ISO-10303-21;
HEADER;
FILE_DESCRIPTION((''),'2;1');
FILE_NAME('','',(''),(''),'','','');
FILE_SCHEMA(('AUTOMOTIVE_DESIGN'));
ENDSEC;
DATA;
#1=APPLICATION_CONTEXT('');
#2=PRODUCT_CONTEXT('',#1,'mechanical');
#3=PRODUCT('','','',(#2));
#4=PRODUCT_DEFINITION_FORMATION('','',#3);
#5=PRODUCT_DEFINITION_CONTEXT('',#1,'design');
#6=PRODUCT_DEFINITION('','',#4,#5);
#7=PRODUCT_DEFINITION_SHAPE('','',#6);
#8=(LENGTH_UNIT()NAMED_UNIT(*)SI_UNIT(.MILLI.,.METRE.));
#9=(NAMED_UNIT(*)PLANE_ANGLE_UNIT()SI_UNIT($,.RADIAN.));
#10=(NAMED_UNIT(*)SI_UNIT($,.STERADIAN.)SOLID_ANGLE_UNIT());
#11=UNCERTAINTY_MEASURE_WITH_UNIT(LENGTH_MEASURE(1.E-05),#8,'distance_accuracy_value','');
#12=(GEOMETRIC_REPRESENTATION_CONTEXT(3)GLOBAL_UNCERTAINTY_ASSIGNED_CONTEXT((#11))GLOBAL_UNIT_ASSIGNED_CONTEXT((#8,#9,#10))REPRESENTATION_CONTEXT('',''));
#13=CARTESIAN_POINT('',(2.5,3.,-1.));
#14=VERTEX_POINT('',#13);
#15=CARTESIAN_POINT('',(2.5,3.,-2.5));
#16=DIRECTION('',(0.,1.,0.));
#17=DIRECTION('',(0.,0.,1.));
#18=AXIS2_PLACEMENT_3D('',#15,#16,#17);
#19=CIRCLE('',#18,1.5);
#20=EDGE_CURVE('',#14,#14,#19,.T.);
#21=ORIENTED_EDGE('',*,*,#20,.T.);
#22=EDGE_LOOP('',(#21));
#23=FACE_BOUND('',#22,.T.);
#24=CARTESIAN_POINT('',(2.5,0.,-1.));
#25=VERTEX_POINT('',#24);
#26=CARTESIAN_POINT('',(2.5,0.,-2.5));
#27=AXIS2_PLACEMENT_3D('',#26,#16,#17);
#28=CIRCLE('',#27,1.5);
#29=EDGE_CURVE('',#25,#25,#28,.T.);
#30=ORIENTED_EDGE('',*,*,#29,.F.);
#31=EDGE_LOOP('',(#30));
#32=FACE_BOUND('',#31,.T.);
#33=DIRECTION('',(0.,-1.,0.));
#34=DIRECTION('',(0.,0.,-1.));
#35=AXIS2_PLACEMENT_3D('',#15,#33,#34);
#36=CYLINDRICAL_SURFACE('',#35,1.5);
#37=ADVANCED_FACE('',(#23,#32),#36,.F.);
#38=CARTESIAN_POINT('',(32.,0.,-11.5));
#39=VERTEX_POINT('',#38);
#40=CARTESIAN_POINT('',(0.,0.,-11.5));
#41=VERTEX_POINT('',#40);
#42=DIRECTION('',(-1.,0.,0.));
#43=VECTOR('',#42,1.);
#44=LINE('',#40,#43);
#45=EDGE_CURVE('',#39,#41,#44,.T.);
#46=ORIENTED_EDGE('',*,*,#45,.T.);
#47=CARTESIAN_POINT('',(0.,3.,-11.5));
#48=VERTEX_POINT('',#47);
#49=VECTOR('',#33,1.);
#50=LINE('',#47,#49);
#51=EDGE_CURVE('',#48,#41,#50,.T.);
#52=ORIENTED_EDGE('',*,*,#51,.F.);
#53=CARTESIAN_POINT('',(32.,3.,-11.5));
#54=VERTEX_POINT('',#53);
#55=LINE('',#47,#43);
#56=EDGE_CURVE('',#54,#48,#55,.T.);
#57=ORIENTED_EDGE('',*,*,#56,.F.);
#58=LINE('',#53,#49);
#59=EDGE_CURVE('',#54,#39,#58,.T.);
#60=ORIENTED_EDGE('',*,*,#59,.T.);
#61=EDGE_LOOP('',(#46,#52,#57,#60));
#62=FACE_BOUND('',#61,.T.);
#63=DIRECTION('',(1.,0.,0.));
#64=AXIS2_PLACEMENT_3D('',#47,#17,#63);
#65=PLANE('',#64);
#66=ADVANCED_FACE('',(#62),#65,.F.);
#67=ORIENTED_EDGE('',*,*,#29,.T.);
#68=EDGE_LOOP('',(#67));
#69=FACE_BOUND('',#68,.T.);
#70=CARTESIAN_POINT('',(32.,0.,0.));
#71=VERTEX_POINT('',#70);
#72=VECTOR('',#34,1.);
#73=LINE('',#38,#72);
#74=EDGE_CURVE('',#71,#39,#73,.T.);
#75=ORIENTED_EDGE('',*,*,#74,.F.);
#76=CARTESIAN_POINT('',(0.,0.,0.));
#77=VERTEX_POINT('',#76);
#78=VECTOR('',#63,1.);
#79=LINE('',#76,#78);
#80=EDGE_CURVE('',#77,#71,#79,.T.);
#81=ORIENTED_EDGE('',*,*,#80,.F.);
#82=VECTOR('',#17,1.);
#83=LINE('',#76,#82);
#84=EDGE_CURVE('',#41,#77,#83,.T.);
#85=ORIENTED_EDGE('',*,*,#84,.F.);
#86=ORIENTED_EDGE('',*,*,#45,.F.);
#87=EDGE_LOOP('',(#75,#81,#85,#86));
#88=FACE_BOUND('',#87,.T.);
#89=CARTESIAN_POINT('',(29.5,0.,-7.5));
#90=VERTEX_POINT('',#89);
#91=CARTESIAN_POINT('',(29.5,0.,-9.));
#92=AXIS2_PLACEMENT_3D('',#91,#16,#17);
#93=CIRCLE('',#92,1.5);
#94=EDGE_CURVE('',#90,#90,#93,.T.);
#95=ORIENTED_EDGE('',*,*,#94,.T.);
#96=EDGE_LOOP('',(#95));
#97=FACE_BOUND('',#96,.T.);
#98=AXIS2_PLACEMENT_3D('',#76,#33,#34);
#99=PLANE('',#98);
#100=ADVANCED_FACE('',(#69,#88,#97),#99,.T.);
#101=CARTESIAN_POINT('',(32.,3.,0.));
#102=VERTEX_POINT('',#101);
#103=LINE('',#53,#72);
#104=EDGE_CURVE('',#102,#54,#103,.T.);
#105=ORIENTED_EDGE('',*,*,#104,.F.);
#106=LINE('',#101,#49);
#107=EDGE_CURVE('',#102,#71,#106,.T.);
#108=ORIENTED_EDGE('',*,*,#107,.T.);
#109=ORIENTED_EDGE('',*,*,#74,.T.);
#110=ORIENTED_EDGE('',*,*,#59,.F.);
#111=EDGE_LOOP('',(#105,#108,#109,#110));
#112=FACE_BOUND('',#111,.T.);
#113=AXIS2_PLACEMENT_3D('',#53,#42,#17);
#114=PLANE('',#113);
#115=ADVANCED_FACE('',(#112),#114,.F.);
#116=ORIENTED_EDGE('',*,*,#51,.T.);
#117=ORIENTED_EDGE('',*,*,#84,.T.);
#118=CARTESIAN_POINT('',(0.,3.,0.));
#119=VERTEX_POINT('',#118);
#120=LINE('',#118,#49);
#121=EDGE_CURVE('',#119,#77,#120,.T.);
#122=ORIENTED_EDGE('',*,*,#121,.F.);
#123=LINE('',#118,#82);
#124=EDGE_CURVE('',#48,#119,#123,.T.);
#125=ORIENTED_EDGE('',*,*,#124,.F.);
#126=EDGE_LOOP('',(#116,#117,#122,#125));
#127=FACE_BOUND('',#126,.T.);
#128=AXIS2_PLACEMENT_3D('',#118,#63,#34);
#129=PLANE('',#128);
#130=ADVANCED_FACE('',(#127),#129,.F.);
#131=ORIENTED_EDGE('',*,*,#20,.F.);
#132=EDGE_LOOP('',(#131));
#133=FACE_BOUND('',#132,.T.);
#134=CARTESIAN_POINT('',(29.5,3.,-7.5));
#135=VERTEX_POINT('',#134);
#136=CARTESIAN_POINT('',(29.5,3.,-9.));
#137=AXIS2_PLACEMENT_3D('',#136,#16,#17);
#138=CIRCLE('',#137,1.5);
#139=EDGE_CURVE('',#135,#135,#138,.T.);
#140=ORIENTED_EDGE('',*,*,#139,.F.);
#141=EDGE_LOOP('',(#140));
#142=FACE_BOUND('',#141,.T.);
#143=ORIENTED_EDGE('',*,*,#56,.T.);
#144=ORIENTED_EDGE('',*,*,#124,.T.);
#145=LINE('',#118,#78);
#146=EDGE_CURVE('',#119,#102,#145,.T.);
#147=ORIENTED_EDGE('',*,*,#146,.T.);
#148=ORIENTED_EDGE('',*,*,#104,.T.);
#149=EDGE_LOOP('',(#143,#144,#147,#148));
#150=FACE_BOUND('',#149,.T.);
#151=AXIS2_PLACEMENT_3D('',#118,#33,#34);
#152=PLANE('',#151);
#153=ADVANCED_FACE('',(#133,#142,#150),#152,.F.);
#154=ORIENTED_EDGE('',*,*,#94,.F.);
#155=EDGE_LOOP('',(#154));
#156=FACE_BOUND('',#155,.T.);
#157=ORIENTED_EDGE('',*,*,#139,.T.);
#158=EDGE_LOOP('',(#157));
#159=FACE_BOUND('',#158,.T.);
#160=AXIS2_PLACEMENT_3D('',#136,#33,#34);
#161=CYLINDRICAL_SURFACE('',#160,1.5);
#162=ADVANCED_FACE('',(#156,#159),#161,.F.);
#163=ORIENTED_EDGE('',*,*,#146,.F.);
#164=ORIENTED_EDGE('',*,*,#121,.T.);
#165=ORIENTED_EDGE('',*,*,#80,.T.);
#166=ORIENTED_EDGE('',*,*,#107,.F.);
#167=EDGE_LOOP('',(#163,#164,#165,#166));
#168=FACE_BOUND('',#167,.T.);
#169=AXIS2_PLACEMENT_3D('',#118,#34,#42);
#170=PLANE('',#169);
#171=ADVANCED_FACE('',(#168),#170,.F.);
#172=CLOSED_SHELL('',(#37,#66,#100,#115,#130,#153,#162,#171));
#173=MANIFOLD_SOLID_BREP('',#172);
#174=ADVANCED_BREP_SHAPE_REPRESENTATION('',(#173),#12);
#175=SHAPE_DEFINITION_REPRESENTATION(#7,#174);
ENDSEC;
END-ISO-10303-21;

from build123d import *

# Parameters (mm, degrees)
SKETCH1_W           = 32
SKETCH1_H           = 11.5
SKETCH1_R           = 1.5
BOSS_EXTRUDE1_DEPTH = 3


with BuildPart() as part:
    # Sketch1 → Boss-Extrude1 (new body)
    with BuildSketch(Plane(origin=(0, 0, 0), x_dir=(1, 0, 0), z_dir=(0, 1, 0))):
        with Locations((16, 5.75)):
            Rectangle(SKETCH1_W, SKETCH1_H)
        with Locations((2.5, 2.5)):
            Circle(SKETCH1_R, mode=Mode.SUBTRACT)
        with Locations((29.5, 9)):
            Circle(SKETCH1_R, mode=Mode.SUBTRACT)
    extrude(amount=BOSS_EXTRUDE1_DEPTH)


solid = part.part
